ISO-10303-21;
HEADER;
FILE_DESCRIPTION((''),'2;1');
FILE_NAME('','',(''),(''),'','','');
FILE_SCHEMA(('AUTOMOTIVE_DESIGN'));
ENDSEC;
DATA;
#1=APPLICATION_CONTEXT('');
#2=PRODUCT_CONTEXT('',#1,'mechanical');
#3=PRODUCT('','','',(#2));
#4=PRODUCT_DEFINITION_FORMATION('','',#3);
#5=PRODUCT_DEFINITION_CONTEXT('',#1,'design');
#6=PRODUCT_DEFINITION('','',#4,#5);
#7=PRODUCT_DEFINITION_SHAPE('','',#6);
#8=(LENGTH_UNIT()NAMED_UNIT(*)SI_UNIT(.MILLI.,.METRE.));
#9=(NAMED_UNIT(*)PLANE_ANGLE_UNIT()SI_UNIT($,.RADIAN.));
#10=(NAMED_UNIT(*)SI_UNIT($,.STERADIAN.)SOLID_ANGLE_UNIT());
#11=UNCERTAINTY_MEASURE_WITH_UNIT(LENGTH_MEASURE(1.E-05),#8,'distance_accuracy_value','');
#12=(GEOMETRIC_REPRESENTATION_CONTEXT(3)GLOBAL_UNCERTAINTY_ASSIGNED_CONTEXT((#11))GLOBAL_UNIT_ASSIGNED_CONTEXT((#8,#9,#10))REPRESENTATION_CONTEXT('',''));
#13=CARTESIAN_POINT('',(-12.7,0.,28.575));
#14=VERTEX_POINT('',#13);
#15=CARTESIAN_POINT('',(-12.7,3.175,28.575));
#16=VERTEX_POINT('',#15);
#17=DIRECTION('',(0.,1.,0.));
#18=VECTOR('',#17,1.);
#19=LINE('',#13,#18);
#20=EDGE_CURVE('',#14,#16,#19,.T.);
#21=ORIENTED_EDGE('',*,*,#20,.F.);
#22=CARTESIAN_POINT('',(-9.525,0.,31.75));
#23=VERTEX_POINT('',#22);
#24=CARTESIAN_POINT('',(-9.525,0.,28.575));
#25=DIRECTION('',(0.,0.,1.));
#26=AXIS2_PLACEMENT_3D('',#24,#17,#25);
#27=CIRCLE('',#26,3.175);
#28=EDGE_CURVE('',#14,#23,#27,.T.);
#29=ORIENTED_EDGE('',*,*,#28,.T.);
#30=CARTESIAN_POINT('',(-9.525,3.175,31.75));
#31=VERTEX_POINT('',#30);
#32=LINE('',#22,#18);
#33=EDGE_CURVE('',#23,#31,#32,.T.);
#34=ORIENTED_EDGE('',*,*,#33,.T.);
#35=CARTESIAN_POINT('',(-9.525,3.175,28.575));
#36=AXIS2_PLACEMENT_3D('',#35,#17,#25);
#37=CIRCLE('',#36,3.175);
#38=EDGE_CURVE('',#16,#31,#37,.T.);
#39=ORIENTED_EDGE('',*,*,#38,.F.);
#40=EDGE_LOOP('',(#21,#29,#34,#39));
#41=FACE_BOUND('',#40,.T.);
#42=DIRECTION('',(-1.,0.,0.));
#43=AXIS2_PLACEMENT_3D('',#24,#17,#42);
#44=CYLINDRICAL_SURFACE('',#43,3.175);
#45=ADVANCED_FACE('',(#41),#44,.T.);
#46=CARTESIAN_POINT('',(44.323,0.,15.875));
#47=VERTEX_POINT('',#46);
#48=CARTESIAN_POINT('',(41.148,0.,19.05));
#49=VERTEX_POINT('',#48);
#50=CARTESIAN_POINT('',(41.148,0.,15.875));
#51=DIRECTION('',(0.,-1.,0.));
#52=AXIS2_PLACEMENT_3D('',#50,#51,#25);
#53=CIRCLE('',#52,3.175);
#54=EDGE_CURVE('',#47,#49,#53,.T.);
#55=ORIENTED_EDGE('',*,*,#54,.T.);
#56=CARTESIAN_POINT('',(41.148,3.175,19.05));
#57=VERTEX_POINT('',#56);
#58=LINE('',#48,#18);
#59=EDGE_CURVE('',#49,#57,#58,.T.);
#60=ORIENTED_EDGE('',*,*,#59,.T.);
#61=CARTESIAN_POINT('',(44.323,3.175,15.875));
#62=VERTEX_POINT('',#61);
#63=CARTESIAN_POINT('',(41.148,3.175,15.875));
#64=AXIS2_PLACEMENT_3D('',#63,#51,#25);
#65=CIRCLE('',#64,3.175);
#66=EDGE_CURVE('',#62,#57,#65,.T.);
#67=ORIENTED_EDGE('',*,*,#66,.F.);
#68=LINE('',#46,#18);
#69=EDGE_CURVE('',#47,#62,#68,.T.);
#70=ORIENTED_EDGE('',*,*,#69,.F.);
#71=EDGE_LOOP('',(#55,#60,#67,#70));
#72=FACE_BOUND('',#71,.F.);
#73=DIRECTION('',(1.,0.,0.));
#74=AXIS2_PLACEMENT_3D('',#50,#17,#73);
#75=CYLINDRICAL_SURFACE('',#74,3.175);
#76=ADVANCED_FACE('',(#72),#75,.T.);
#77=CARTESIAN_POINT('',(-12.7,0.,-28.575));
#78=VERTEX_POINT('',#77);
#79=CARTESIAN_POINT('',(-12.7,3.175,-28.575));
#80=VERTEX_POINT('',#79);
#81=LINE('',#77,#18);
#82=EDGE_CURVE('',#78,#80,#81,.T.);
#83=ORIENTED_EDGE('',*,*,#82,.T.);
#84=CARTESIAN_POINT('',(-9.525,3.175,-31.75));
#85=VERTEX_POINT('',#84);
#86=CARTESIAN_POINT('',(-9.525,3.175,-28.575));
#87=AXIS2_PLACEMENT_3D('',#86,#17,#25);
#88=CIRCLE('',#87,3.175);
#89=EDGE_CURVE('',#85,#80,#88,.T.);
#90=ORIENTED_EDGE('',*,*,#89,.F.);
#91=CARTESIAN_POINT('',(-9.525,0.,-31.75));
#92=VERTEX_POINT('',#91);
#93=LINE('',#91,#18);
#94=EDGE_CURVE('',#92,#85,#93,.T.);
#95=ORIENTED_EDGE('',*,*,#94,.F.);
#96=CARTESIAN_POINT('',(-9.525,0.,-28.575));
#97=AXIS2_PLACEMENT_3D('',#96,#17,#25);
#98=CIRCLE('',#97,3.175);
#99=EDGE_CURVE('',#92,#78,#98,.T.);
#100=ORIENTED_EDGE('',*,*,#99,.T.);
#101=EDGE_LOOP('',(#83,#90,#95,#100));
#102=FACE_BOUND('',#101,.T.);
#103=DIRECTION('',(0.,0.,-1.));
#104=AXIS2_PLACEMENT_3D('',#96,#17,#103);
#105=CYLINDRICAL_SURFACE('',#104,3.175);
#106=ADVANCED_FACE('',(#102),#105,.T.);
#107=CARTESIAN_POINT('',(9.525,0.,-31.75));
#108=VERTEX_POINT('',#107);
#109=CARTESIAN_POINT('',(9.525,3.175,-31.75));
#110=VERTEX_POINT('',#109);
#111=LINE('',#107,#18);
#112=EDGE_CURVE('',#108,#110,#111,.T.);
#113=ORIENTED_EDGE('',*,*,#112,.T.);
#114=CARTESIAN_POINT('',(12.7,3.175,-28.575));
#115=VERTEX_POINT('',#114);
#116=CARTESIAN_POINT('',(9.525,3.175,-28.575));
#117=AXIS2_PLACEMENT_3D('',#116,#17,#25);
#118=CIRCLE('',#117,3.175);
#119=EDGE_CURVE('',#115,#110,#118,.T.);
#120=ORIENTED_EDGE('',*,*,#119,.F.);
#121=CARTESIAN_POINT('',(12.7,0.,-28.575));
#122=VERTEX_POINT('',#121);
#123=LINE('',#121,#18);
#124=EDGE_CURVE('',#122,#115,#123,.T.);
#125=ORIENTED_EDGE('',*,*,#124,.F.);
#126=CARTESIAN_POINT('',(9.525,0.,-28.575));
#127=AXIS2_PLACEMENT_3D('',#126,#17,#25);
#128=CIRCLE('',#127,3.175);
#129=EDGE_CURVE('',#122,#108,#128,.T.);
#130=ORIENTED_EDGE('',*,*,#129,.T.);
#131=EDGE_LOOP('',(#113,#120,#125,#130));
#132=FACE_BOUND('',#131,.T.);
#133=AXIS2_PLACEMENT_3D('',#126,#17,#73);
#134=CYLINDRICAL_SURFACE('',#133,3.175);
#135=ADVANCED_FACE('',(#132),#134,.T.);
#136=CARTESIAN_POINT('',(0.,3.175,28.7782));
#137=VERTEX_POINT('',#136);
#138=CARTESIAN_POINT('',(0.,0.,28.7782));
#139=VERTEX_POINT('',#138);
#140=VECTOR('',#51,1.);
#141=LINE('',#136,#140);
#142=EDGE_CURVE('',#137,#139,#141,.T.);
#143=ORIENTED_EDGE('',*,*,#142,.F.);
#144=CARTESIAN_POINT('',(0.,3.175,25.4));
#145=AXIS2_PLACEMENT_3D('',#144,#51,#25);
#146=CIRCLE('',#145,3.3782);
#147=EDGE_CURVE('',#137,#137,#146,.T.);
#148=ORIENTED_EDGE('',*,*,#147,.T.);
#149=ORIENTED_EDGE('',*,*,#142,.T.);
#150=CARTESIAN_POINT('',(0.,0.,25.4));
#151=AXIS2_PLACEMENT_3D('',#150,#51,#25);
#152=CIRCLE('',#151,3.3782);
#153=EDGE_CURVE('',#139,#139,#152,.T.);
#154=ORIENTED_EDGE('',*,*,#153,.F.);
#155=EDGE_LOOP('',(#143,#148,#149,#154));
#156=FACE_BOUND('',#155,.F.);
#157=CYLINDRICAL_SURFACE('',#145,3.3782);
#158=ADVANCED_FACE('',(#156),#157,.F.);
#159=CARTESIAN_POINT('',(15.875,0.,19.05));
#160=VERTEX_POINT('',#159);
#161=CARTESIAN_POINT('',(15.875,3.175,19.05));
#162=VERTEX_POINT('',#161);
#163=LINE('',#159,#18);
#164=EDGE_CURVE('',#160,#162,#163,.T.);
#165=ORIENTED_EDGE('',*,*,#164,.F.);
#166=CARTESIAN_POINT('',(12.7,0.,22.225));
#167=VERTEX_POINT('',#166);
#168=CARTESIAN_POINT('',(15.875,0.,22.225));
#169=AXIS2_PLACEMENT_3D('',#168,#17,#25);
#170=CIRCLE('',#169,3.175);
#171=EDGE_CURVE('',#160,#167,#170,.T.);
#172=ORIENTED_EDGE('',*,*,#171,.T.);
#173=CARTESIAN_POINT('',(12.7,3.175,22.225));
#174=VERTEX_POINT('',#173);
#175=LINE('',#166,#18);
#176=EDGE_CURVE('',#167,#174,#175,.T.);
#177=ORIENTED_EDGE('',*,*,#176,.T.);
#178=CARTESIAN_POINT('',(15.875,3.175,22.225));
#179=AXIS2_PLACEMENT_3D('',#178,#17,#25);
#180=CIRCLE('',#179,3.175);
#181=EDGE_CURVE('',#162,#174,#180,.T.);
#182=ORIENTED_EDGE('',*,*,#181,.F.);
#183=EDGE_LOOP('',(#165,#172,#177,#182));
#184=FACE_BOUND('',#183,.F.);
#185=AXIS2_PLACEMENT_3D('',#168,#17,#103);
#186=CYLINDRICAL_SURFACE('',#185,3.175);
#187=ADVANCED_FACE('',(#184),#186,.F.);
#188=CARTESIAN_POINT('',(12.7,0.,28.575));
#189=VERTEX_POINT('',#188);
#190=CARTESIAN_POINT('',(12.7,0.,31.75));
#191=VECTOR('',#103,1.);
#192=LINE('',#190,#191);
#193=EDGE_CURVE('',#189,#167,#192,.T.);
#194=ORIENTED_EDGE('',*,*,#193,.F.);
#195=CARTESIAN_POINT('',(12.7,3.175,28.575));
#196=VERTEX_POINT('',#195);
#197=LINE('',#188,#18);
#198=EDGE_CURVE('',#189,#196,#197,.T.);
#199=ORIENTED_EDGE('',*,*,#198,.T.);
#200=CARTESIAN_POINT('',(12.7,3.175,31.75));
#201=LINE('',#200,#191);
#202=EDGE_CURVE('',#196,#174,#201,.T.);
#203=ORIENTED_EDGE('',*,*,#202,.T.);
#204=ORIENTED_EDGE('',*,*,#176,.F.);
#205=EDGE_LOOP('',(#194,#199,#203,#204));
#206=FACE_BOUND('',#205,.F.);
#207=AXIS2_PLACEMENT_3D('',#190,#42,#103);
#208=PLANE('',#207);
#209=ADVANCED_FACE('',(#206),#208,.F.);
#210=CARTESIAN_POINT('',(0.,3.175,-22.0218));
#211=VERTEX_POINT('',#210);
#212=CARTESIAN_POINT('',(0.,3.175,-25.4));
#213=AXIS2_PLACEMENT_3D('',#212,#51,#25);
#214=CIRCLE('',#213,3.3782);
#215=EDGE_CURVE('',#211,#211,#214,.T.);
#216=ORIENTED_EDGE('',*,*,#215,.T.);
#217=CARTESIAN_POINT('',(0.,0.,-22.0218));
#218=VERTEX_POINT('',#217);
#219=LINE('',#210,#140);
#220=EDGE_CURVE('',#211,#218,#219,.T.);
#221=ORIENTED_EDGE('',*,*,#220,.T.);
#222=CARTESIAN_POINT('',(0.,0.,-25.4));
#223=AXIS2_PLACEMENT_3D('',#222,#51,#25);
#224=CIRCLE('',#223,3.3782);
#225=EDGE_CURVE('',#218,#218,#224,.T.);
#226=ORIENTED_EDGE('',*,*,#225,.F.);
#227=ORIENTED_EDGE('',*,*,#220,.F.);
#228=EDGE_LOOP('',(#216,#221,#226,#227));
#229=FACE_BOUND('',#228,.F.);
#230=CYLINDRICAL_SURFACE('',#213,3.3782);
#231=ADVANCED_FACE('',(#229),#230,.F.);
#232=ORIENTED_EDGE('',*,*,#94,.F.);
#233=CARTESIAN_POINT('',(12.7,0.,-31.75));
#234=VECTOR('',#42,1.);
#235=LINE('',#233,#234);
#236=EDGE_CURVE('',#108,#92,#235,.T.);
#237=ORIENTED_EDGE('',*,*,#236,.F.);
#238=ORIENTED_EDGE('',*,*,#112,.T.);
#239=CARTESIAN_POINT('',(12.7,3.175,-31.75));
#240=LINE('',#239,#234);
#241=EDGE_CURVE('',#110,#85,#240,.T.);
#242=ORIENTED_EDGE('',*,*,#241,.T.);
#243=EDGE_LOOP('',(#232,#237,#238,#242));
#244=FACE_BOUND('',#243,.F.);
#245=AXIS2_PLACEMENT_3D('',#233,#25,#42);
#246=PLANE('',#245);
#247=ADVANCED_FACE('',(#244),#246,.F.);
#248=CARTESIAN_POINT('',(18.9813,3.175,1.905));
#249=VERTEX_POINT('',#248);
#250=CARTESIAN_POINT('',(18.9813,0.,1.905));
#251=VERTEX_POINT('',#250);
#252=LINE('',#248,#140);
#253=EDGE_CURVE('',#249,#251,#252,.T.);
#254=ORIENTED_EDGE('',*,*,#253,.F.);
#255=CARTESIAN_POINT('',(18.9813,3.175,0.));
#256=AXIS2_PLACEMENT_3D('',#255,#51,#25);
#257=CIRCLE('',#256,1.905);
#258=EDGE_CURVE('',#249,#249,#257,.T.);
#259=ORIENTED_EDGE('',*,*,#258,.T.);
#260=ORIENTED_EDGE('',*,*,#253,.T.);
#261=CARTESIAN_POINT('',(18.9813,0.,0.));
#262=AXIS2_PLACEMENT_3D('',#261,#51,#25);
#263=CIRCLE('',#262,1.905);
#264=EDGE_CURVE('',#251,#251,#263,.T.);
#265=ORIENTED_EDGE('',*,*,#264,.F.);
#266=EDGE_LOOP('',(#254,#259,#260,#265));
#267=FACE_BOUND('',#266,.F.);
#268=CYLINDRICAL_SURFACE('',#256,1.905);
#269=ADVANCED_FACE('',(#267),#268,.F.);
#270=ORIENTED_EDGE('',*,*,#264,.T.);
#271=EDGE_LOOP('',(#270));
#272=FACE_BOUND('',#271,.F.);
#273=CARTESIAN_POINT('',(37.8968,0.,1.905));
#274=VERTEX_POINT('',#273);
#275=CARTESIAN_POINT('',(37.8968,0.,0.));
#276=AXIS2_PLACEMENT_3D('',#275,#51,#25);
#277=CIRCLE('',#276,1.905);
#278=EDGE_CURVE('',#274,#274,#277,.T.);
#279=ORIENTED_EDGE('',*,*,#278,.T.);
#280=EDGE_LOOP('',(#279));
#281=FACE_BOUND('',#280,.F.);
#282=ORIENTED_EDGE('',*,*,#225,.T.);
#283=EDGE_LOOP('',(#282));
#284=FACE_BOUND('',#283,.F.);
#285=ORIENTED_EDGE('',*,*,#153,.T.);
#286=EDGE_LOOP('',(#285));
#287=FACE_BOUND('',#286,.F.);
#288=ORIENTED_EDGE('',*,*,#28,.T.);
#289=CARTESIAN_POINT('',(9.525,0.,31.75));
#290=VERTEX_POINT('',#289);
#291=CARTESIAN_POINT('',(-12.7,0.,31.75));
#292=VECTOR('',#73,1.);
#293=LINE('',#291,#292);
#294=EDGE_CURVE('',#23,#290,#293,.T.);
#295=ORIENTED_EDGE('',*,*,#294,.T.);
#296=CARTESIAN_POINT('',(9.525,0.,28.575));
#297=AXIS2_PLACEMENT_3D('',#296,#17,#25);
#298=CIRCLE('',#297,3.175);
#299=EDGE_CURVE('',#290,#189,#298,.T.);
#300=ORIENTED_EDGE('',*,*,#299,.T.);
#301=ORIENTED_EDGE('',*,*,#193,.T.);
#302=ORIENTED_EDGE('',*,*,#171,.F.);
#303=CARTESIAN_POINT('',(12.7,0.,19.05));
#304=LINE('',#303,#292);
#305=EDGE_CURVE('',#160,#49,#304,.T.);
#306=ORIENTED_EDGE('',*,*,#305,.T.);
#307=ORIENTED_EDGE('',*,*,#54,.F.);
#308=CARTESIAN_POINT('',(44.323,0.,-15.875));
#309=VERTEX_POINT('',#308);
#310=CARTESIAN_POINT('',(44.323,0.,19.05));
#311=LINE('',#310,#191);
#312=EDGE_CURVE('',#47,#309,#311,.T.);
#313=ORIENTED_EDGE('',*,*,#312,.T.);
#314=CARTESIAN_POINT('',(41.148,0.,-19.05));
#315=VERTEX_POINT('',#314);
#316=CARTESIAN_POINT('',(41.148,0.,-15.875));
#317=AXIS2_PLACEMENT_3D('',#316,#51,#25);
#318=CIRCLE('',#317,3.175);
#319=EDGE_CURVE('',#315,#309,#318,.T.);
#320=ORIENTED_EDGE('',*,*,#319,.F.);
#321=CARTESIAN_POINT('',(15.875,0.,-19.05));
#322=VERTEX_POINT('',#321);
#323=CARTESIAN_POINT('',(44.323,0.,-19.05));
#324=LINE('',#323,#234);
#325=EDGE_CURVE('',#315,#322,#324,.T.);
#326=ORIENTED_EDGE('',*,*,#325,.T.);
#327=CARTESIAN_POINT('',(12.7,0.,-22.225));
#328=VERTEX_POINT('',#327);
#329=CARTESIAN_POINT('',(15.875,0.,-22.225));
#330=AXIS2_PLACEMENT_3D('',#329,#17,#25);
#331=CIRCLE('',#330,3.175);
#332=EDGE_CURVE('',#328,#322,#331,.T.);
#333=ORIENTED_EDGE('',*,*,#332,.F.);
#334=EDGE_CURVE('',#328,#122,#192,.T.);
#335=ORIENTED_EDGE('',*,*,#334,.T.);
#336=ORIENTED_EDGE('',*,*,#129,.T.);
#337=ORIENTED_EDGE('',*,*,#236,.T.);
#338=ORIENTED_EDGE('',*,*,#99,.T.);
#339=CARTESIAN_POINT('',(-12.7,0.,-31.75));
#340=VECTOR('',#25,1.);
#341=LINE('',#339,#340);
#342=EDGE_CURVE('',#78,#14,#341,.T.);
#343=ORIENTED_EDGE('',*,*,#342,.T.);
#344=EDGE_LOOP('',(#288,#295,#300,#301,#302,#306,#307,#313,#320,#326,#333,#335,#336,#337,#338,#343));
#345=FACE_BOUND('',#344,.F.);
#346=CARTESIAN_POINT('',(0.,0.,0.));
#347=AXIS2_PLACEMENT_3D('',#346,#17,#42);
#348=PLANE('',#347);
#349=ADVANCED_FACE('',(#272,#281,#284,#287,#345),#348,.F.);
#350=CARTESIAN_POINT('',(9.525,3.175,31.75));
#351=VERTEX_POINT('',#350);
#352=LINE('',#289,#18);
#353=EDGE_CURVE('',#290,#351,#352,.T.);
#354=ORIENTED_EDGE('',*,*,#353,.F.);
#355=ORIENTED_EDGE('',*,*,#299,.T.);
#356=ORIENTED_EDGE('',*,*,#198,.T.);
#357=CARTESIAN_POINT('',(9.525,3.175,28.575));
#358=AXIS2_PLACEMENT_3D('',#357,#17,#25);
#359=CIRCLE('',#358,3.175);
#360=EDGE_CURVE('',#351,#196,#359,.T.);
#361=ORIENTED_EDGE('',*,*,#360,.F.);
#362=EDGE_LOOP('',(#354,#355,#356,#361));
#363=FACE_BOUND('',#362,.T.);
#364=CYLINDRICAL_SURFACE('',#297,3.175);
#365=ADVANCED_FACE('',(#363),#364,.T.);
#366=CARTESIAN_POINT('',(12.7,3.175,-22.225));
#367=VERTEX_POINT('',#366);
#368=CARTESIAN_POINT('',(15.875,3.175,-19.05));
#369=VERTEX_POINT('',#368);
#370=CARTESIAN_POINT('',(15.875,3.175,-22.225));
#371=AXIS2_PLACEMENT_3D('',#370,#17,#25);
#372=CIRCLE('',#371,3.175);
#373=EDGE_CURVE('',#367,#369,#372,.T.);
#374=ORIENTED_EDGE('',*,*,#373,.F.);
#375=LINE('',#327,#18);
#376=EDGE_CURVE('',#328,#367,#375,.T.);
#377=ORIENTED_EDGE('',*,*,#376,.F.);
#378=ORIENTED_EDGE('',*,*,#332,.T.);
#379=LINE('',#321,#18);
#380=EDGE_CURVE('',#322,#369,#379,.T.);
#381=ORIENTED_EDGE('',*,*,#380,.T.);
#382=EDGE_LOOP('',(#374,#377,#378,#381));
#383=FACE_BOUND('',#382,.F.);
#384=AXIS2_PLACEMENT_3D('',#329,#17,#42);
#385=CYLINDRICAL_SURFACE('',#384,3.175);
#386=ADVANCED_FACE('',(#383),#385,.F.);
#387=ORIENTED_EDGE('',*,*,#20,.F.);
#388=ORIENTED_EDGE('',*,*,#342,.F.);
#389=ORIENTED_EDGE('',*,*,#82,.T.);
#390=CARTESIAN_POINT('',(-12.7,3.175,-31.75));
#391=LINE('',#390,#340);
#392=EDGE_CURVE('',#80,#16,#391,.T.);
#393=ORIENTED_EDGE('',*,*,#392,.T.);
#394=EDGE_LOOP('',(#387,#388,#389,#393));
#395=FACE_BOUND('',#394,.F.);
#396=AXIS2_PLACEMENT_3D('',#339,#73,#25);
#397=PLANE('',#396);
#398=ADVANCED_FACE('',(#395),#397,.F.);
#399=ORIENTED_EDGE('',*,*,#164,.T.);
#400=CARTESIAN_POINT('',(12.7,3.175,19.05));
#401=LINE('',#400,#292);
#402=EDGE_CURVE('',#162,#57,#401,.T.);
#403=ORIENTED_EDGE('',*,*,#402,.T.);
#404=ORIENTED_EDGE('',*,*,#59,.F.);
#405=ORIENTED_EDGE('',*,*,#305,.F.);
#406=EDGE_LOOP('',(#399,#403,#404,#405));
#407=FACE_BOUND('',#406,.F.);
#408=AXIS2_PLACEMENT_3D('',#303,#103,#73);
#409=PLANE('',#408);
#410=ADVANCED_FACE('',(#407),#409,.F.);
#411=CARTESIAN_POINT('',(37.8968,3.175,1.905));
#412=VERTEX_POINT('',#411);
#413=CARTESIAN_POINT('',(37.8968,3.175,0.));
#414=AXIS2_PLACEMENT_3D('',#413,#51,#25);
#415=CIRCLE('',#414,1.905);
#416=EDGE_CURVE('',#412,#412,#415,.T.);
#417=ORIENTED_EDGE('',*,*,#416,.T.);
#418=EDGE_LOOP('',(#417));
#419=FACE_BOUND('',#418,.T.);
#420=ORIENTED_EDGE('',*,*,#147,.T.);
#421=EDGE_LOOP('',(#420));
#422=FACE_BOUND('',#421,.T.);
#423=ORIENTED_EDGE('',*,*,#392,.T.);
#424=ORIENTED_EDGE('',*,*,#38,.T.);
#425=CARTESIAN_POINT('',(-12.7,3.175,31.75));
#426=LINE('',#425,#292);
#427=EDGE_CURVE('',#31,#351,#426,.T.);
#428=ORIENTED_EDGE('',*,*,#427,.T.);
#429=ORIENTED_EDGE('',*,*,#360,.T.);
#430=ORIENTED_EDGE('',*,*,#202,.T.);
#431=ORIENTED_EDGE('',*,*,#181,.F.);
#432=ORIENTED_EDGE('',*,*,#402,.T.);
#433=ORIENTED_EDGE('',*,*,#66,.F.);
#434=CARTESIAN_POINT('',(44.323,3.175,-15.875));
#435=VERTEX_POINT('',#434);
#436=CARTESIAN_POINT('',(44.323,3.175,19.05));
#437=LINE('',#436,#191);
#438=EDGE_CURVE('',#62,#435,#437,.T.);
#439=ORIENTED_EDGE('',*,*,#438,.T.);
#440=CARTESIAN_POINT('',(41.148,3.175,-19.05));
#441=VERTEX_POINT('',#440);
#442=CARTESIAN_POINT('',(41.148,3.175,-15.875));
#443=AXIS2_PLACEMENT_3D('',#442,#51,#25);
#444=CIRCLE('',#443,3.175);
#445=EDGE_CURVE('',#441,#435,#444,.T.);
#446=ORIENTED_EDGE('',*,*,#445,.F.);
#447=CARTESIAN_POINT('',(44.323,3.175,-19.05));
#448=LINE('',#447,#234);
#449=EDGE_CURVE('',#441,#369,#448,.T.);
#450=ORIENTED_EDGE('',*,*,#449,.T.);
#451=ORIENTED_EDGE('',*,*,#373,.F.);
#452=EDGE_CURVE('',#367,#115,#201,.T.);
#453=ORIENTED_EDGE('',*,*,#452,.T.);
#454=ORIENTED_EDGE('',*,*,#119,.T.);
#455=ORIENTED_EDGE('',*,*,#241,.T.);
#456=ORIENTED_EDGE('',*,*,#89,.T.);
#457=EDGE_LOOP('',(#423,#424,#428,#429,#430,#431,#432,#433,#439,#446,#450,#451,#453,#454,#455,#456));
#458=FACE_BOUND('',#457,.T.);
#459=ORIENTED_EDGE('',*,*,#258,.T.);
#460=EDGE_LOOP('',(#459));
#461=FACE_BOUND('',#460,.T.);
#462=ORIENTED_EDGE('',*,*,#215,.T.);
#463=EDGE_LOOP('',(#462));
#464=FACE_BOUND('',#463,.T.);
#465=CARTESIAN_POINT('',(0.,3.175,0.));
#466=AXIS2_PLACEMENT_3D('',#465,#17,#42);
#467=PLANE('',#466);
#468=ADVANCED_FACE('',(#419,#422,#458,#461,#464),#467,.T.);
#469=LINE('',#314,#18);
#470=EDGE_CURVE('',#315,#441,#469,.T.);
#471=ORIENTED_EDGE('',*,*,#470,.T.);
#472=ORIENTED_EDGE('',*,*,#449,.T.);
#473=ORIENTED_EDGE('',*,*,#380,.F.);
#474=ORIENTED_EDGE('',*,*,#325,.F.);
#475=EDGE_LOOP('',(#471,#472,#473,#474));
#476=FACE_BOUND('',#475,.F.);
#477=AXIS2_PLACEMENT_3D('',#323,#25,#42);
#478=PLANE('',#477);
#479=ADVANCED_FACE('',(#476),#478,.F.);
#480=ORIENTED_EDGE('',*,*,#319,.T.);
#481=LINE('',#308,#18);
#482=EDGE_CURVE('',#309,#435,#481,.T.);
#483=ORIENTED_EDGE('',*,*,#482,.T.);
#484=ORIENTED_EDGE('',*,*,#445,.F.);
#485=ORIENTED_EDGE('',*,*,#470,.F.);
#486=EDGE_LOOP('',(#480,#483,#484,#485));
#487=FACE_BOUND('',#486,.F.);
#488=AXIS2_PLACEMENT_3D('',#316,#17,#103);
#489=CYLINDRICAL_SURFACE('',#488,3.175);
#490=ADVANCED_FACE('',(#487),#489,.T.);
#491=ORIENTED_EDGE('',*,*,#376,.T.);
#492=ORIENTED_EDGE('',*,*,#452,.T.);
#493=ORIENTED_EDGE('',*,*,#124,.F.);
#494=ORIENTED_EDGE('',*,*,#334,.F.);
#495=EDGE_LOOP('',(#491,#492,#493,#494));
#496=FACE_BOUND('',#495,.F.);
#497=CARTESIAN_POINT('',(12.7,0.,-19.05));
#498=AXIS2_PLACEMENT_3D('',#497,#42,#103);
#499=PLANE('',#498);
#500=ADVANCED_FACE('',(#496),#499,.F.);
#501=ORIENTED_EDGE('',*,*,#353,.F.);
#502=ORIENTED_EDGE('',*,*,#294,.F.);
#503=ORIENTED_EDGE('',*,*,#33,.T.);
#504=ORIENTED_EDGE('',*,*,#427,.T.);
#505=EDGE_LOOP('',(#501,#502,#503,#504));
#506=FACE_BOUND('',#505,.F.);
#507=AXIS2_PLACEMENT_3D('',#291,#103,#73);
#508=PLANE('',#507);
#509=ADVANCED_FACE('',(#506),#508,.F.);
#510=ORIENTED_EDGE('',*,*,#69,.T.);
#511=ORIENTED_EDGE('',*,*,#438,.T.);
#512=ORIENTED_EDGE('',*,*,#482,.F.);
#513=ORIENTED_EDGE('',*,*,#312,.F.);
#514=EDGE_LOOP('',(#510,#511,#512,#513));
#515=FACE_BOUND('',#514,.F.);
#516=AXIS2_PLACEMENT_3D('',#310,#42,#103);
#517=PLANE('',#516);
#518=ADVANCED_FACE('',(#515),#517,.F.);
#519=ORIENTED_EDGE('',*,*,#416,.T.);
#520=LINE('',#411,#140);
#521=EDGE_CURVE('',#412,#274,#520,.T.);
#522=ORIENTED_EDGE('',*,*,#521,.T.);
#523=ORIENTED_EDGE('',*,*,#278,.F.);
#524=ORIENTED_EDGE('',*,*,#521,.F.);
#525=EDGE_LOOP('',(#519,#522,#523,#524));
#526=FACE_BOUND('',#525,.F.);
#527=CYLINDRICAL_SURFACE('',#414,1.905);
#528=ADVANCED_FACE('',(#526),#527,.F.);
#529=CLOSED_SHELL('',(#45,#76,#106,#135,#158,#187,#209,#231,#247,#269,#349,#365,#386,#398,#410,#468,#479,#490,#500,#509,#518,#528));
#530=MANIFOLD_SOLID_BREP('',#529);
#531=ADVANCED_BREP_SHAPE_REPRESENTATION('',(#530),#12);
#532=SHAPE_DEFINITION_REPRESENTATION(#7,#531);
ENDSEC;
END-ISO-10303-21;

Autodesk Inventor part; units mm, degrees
ref_plane "YZ Plane" through (0, 0, 0) normal (1, 0, 0) x (0, 1, 0)
ref_plane "XZ Plane" through (0, 0, 0) normal (0, 1, 0) x (-1, 0, 0)
ref_plane "XY Plane" through (0, 0, 0) normal (0, 0, 1) x (1, 0, 0)
sketch "Sketch1" plane through (0, 0, 0) normal (0, 1, 0) x (-1, 0, 0)
  line L0 (-12.7, -31.75) -> (12.7, -31.75)
  line L1 (12.7, -31.75) -> (12.7, 31.75)
  line L2 (12.7, 31.75) -> (-12.7, 31.75)
  line L3 (-12.7, 31.75) -> (-12.7, -31.75)
  line L4 (-12.7, -31.75) -> (12.7, 31.75) construction
  line L5 (12.7, -31.75) -> (-12.7, 31.75) construction
  line L6 (-12.7, 19.05) -> (-44.323, 19.05)
  line L7 (-44.323, 19.05) -> (-44.323, -19.05)
  line L8 (-44.323, -19.05) -> (-12.7, -19.05)
  point P0 (0, 0)
  dimension "d0" = 25.4
  dimension "d1" = 63.5
  dimension "d21" = 31.623
  dimension "d22" = 12.7
  dimension "d23" = 12.7
extrude "Extrusion1" add sketch "Sketch1" along normal blind 3.175
sketch "Sketch2" plane through (0, 3.175, 0) normal (0, 1, 0) x (1, 0, 0)
  line L0 (0, -25.4) -> (0, 25.4) construction
  line L1 (-12.7, 31.75) -> (-12.7, -31.75) construction
  point P0 (0, 0)
  point P1 (0, 0)
  dimension "d4" = 50.8
hole "Hole1" at (0, 3.175, 25.4) at (0, 3.175, -25.4) direction (0, -1, 0) diameter 6.7564 end through all clearance for "Flat Head Machine Screw (82)" size "1/4" standard "Ansi Unified Screw Threads"
sketch "Sketch3" plane through (0, 3.175, 0) normal (0, 1, 0) x (1, 0, 0)
  line L0 (44.323, -19.05) -> (44.323, 19.05) construction
  point P0 (0, 0)
  point P1 (18.9813, 0)
  point P2 (37.8968, 0)
  point P3 (0, 0)
  dimension "d13" = 18.9155
  dimension "d24" = 6.4262
hole "Hole2" at (18.9813, 3.175, 0) at (37.8968, 3.175, 0) direction (0, -1, 0) diameter 3.81 end through all clearance for "Flat Head Machine Screw (82)" size "#6" standard "Ansi Unified Screw Threads"
fillet "Fillet1" radius 3.175 8 edges at (12.7, 1.5875, 19.05) (12.7, 1.5875, 31.75) (-12.7, 1.5875, 31.75) (-12.7, 1.5875, -31.75) (12.7, 1.5875, -31.75) (12.7, 1.5875, -19.05) (44.323, 1.5875, -19.05) (44.323, 1.5875, 19.05)
properties part number "DB1-010" material "Polycarbonate, Smoke"
